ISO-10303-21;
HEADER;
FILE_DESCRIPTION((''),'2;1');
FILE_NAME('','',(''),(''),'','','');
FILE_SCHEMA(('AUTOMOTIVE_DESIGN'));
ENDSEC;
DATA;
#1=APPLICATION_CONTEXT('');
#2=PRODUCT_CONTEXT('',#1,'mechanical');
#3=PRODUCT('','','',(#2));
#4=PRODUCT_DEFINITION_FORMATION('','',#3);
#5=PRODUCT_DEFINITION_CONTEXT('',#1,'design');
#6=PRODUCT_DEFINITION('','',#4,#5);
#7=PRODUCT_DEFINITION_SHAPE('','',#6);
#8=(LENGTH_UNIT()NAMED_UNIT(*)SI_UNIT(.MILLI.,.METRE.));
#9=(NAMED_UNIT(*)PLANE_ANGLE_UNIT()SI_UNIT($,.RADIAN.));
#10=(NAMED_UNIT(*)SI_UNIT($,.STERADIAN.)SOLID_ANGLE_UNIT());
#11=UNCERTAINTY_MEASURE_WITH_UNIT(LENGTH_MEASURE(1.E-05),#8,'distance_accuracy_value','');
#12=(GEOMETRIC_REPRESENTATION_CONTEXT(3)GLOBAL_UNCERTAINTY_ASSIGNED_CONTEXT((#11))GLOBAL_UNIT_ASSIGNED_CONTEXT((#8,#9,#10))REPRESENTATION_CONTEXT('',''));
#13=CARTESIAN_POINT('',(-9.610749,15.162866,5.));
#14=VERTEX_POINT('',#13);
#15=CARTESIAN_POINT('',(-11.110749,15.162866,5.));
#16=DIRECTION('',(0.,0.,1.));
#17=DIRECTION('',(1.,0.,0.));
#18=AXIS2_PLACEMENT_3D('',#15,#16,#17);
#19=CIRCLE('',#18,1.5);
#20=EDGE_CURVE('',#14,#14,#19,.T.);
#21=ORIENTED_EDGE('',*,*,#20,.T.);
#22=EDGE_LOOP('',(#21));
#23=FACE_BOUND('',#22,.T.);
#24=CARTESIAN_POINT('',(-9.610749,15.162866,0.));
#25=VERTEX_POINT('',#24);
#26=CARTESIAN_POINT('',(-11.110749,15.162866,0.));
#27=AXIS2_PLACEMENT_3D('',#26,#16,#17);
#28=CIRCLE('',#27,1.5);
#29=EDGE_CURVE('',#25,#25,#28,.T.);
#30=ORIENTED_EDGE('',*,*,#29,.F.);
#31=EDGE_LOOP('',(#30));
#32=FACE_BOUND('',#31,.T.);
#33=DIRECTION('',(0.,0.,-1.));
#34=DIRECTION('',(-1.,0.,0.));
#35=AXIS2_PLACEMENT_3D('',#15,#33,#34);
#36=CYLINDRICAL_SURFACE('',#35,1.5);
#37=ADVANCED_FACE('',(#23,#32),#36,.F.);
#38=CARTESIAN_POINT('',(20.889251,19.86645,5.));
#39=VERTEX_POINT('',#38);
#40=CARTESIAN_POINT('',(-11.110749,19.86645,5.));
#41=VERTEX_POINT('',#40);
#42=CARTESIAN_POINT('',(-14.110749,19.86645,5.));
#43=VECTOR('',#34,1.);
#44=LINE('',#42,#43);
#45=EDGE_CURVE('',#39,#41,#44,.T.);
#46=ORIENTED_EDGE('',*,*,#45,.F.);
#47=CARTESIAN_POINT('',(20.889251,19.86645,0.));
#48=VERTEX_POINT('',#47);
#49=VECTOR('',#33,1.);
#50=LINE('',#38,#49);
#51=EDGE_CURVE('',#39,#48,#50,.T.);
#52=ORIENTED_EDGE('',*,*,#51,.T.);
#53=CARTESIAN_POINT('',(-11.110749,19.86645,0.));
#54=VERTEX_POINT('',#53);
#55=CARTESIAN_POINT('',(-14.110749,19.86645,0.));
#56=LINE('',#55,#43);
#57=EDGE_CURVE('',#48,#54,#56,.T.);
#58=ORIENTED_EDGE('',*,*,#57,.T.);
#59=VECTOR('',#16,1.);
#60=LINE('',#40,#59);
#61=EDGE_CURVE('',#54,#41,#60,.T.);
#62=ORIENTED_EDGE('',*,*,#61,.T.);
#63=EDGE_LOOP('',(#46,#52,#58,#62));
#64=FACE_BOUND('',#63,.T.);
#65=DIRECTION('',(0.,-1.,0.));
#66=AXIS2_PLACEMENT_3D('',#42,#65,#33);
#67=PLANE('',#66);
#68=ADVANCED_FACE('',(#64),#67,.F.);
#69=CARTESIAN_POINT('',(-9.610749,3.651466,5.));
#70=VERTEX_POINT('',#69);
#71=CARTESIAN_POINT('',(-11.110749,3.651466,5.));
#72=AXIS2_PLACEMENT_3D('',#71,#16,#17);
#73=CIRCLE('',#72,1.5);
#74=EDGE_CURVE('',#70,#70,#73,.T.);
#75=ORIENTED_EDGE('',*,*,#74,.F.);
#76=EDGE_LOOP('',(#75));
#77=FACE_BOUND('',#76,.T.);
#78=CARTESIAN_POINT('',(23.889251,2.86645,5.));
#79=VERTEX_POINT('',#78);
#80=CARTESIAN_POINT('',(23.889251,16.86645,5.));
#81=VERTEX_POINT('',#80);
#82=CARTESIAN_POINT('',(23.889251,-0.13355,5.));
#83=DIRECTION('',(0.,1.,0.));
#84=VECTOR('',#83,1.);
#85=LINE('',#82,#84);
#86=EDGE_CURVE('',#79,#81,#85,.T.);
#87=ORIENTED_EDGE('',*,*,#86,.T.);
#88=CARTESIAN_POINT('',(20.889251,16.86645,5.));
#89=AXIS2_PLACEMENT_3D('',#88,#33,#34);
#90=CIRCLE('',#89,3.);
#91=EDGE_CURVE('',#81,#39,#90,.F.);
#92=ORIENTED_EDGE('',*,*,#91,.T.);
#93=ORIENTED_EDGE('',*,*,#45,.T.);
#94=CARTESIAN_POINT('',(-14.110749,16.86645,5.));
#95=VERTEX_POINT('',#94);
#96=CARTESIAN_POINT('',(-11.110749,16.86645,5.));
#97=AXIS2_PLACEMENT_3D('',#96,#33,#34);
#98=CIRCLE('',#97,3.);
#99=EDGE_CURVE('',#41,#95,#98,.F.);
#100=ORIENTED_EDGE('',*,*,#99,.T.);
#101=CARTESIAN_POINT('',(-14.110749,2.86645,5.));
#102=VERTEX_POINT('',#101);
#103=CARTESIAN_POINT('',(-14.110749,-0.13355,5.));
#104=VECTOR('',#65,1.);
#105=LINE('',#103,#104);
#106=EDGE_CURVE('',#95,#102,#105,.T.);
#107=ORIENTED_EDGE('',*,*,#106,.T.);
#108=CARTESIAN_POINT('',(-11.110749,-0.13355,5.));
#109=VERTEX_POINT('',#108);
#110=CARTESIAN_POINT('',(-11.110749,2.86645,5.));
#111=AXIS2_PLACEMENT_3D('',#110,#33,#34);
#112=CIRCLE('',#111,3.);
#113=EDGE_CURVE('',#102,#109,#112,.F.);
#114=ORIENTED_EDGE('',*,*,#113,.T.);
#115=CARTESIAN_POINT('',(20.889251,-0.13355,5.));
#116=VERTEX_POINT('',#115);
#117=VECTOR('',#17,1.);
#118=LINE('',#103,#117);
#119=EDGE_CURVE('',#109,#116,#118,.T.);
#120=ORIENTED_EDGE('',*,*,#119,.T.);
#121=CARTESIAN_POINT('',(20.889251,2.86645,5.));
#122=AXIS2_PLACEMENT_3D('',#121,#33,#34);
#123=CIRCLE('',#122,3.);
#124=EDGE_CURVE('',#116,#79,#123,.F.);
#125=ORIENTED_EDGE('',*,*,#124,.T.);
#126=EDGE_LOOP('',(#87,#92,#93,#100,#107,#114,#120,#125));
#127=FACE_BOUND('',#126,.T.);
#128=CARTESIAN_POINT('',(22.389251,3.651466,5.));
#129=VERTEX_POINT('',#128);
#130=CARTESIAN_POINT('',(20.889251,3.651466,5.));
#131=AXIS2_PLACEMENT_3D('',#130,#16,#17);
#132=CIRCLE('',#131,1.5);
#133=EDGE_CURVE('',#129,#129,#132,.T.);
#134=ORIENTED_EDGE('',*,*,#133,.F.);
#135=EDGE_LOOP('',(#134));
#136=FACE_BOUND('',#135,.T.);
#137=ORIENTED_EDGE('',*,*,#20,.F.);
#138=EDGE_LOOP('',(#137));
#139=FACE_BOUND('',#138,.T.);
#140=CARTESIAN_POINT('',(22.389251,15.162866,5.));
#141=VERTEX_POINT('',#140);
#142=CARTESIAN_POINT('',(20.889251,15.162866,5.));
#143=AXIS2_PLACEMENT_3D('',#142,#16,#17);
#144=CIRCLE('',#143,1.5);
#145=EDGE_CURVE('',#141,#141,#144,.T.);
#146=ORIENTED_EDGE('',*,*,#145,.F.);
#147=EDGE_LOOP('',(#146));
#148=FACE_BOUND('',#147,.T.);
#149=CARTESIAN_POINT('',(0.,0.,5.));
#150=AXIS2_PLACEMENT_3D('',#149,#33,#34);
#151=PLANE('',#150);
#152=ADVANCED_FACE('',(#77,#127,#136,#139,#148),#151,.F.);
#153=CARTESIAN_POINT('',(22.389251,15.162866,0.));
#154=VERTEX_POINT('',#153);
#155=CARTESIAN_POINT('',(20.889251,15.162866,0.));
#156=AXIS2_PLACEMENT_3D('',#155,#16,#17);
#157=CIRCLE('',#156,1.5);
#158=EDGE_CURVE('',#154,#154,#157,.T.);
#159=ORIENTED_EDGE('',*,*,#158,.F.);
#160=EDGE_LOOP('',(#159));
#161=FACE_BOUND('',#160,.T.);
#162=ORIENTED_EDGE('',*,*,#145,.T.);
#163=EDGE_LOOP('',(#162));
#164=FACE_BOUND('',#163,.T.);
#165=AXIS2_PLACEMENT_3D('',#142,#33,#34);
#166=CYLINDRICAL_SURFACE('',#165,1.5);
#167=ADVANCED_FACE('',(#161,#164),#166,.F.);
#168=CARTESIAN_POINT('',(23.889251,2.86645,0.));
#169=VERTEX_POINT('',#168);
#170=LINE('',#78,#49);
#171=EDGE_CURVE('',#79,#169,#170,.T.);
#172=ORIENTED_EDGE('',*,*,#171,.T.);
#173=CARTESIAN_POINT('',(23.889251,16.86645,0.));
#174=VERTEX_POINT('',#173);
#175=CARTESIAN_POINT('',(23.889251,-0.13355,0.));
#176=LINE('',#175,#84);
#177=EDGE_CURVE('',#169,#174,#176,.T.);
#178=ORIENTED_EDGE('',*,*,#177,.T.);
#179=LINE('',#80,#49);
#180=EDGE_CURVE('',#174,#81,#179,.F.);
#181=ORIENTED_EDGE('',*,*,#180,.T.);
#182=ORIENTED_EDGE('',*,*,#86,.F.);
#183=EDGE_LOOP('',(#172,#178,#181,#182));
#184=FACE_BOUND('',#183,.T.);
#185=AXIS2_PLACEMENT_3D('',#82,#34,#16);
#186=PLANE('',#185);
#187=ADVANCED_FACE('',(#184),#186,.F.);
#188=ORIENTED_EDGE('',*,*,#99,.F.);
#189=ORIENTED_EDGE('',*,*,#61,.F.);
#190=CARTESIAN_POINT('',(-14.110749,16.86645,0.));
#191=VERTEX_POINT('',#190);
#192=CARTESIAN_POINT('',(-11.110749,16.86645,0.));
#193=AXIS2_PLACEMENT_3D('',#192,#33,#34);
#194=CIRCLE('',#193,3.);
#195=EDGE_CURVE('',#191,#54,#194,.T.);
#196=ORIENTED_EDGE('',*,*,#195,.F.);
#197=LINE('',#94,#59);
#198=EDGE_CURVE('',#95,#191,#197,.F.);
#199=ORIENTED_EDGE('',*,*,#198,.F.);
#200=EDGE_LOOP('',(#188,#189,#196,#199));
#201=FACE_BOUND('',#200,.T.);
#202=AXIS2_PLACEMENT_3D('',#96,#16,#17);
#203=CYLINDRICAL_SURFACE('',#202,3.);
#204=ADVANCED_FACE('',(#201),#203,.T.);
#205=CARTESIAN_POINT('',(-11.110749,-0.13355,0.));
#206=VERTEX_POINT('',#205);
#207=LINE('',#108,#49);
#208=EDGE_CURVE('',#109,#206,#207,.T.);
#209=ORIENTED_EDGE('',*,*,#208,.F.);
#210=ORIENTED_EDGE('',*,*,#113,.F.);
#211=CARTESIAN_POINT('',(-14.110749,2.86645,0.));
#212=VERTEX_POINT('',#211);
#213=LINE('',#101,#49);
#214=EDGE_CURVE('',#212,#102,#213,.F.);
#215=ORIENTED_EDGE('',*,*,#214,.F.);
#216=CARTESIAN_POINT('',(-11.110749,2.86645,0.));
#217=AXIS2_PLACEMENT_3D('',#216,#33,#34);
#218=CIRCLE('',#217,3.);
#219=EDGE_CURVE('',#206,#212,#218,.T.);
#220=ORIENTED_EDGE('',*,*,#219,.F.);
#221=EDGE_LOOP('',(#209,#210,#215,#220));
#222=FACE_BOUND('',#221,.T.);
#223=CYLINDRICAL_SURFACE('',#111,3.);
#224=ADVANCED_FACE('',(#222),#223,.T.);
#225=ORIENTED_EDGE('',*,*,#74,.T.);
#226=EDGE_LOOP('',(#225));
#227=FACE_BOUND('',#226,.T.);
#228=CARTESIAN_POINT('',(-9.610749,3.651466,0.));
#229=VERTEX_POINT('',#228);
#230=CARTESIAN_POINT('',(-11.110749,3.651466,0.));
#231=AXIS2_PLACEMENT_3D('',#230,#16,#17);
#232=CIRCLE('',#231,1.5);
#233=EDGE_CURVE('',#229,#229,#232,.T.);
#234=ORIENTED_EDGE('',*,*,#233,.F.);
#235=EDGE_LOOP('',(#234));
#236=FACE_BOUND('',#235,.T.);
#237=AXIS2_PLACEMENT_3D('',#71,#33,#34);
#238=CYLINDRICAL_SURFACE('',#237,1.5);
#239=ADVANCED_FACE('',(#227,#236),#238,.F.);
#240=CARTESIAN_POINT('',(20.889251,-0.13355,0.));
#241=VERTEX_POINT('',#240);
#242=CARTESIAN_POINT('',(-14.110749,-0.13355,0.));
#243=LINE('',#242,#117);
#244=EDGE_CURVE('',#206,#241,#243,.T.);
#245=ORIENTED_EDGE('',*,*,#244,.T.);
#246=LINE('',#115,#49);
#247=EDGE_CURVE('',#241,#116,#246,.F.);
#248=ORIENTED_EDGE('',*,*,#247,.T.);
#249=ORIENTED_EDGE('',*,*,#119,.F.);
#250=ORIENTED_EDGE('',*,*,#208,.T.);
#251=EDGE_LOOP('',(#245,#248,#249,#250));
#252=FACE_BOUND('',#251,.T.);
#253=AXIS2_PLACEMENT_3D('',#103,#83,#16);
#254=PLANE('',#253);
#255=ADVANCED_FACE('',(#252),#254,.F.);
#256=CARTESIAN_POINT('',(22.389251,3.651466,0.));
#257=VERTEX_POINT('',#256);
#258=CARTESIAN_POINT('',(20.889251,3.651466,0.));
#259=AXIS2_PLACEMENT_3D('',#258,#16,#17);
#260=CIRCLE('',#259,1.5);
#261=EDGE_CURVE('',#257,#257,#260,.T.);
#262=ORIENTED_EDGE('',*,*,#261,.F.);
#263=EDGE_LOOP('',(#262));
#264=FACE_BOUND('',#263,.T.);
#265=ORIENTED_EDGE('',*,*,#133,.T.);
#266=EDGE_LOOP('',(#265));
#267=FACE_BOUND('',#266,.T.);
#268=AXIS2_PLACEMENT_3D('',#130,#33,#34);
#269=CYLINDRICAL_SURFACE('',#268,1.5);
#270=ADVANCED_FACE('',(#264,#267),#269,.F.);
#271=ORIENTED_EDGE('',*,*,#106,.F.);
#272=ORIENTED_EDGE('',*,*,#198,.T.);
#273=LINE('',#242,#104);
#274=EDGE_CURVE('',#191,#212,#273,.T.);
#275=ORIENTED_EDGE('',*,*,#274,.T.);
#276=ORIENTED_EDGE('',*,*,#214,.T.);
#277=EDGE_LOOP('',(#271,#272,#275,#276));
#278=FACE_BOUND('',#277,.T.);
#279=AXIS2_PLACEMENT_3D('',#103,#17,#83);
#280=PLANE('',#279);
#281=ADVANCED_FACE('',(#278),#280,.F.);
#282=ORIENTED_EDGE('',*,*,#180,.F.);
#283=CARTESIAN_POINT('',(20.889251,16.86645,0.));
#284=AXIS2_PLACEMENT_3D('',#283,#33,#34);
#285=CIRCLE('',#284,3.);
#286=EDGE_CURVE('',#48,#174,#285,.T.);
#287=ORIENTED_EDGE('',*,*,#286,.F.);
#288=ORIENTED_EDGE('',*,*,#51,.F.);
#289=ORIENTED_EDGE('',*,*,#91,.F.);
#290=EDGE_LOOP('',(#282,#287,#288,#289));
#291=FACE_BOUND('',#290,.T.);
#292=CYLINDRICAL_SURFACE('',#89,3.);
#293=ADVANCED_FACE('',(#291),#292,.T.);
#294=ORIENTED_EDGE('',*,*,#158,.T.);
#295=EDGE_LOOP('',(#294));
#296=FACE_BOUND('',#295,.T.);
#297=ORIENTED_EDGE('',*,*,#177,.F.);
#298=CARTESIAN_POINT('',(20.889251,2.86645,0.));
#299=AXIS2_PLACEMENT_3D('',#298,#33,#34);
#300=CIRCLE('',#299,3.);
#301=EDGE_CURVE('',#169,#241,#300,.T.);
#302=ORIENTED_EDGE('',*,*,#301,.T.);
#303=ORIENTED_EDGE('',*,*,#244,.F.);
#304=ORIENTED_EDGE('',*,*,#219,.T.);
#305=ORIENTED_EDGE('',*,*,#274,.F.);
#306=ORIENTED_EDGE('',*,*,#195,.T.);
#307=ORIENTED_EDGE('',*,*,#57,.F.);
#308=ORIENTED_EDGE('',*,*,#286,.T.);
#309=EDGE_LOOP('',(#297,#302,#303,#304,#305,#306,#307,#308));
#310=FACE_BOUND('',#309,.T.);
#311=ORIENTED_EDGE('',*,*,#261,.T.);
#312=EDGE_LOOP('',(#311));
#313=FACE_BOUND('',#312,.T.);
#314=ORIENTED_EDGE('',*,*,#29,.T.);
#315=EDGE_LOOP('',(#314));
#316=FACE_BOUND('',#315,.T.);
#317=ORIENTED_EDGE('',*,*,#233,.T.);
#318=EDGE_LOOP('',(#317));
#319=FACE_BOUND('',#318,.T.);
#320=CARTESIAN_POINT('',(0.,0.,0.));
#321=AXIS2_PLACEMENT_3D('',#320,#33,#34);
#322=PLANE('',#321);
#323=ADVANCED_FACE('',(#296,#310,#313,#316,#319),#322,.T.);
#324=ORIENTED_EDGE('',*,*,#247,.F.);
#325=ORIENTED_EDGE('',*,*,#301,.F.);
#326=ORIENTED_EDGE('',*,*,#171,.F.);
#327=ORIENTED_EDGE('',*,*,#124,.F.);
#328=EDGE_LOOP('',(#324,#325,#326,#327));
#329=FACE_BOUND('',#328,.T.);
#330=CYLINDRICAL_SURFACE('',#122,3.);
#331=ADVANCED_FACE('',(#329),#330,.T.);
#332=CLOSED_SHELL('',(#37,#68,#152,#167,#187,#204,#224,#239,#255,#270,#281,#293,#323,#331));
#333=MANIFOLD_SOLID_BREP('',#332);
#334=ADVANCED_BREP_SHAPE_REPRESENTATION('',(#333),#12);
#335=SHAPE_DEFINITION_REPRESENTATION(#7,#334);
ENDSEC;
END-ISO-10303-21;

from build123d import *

# Parameters (mm, degrees)
SKETCH1_W           = 38
SKETCH1_H           = 20
SKETCH1_R           = 1.5
BOSS_EXTRUDE1_DEPTH = 5
FILLET1_R           = 3
FILLET2_R           = 3
FILLET3_R           = 3
FILLET4_R           = 3


with BuildPart() as part:
    # Sketch1 → Boss-Extrude1 (new body)
    with BuildSketch(Plane.XY):
        with Locations((4.889250814, 9.866449511)):
            Rectangle(SKETCH1_W, SKETCH1_H)
        with Locations((-11.110749186, 15.16286645)):
            Circle(SKETCH1_R, mode=Mode.SUBTRACT)
        with Locations((-11.110749186, 3.651465798)):
            Circle(SKETCH1_R, mode=Mode.SUBTRACT)
        with Locations((20.889250814, 15.16286645)):
            Circle(SKETCH1_R, mode=Mode.SUBTRACT)
        with Locations((20.889250814, 3.651465798)):
            Circle(SKETCH1_R, mode=Mode.SUBTRACT)
    extrude(amount=BOSS_EXTRUDE1_DEPTH)

    # Fillet1
    fillet1_edges = [part.edges().sort_by_distance(p)[0] for p in [
        (23.889250814, 19.866449511, 2.5),
    ]]
    fillet(fillet1_edges, radius=FILLET1_R)

    # Fillet2
    fillet2_edges = [part.edges().sort_by_distance(p)[0] for p in [
        (23.889250814, -0.133550489, 2.5),
    ]]
    fillet(fillet2_edges, radius=FILLET2_R)

    # Fillet3
    fillet3_edges = [part.edges().sort_by_distance(p)[0] for p in [
        (-14.110749186, -0.133550489, 2.5),
    ]]
    fillet(fillet3_edges, radius=FILLET3_R)

    # Fillet4
    fillet4_edges = [part.edges().sort_by_distance(p)[0] for p in [
        (-14.110749186, 19.866449511, 2.5),
    ]]
    fillet(fillet4_edges, radius=FILLET4_R)


solid = part.part
